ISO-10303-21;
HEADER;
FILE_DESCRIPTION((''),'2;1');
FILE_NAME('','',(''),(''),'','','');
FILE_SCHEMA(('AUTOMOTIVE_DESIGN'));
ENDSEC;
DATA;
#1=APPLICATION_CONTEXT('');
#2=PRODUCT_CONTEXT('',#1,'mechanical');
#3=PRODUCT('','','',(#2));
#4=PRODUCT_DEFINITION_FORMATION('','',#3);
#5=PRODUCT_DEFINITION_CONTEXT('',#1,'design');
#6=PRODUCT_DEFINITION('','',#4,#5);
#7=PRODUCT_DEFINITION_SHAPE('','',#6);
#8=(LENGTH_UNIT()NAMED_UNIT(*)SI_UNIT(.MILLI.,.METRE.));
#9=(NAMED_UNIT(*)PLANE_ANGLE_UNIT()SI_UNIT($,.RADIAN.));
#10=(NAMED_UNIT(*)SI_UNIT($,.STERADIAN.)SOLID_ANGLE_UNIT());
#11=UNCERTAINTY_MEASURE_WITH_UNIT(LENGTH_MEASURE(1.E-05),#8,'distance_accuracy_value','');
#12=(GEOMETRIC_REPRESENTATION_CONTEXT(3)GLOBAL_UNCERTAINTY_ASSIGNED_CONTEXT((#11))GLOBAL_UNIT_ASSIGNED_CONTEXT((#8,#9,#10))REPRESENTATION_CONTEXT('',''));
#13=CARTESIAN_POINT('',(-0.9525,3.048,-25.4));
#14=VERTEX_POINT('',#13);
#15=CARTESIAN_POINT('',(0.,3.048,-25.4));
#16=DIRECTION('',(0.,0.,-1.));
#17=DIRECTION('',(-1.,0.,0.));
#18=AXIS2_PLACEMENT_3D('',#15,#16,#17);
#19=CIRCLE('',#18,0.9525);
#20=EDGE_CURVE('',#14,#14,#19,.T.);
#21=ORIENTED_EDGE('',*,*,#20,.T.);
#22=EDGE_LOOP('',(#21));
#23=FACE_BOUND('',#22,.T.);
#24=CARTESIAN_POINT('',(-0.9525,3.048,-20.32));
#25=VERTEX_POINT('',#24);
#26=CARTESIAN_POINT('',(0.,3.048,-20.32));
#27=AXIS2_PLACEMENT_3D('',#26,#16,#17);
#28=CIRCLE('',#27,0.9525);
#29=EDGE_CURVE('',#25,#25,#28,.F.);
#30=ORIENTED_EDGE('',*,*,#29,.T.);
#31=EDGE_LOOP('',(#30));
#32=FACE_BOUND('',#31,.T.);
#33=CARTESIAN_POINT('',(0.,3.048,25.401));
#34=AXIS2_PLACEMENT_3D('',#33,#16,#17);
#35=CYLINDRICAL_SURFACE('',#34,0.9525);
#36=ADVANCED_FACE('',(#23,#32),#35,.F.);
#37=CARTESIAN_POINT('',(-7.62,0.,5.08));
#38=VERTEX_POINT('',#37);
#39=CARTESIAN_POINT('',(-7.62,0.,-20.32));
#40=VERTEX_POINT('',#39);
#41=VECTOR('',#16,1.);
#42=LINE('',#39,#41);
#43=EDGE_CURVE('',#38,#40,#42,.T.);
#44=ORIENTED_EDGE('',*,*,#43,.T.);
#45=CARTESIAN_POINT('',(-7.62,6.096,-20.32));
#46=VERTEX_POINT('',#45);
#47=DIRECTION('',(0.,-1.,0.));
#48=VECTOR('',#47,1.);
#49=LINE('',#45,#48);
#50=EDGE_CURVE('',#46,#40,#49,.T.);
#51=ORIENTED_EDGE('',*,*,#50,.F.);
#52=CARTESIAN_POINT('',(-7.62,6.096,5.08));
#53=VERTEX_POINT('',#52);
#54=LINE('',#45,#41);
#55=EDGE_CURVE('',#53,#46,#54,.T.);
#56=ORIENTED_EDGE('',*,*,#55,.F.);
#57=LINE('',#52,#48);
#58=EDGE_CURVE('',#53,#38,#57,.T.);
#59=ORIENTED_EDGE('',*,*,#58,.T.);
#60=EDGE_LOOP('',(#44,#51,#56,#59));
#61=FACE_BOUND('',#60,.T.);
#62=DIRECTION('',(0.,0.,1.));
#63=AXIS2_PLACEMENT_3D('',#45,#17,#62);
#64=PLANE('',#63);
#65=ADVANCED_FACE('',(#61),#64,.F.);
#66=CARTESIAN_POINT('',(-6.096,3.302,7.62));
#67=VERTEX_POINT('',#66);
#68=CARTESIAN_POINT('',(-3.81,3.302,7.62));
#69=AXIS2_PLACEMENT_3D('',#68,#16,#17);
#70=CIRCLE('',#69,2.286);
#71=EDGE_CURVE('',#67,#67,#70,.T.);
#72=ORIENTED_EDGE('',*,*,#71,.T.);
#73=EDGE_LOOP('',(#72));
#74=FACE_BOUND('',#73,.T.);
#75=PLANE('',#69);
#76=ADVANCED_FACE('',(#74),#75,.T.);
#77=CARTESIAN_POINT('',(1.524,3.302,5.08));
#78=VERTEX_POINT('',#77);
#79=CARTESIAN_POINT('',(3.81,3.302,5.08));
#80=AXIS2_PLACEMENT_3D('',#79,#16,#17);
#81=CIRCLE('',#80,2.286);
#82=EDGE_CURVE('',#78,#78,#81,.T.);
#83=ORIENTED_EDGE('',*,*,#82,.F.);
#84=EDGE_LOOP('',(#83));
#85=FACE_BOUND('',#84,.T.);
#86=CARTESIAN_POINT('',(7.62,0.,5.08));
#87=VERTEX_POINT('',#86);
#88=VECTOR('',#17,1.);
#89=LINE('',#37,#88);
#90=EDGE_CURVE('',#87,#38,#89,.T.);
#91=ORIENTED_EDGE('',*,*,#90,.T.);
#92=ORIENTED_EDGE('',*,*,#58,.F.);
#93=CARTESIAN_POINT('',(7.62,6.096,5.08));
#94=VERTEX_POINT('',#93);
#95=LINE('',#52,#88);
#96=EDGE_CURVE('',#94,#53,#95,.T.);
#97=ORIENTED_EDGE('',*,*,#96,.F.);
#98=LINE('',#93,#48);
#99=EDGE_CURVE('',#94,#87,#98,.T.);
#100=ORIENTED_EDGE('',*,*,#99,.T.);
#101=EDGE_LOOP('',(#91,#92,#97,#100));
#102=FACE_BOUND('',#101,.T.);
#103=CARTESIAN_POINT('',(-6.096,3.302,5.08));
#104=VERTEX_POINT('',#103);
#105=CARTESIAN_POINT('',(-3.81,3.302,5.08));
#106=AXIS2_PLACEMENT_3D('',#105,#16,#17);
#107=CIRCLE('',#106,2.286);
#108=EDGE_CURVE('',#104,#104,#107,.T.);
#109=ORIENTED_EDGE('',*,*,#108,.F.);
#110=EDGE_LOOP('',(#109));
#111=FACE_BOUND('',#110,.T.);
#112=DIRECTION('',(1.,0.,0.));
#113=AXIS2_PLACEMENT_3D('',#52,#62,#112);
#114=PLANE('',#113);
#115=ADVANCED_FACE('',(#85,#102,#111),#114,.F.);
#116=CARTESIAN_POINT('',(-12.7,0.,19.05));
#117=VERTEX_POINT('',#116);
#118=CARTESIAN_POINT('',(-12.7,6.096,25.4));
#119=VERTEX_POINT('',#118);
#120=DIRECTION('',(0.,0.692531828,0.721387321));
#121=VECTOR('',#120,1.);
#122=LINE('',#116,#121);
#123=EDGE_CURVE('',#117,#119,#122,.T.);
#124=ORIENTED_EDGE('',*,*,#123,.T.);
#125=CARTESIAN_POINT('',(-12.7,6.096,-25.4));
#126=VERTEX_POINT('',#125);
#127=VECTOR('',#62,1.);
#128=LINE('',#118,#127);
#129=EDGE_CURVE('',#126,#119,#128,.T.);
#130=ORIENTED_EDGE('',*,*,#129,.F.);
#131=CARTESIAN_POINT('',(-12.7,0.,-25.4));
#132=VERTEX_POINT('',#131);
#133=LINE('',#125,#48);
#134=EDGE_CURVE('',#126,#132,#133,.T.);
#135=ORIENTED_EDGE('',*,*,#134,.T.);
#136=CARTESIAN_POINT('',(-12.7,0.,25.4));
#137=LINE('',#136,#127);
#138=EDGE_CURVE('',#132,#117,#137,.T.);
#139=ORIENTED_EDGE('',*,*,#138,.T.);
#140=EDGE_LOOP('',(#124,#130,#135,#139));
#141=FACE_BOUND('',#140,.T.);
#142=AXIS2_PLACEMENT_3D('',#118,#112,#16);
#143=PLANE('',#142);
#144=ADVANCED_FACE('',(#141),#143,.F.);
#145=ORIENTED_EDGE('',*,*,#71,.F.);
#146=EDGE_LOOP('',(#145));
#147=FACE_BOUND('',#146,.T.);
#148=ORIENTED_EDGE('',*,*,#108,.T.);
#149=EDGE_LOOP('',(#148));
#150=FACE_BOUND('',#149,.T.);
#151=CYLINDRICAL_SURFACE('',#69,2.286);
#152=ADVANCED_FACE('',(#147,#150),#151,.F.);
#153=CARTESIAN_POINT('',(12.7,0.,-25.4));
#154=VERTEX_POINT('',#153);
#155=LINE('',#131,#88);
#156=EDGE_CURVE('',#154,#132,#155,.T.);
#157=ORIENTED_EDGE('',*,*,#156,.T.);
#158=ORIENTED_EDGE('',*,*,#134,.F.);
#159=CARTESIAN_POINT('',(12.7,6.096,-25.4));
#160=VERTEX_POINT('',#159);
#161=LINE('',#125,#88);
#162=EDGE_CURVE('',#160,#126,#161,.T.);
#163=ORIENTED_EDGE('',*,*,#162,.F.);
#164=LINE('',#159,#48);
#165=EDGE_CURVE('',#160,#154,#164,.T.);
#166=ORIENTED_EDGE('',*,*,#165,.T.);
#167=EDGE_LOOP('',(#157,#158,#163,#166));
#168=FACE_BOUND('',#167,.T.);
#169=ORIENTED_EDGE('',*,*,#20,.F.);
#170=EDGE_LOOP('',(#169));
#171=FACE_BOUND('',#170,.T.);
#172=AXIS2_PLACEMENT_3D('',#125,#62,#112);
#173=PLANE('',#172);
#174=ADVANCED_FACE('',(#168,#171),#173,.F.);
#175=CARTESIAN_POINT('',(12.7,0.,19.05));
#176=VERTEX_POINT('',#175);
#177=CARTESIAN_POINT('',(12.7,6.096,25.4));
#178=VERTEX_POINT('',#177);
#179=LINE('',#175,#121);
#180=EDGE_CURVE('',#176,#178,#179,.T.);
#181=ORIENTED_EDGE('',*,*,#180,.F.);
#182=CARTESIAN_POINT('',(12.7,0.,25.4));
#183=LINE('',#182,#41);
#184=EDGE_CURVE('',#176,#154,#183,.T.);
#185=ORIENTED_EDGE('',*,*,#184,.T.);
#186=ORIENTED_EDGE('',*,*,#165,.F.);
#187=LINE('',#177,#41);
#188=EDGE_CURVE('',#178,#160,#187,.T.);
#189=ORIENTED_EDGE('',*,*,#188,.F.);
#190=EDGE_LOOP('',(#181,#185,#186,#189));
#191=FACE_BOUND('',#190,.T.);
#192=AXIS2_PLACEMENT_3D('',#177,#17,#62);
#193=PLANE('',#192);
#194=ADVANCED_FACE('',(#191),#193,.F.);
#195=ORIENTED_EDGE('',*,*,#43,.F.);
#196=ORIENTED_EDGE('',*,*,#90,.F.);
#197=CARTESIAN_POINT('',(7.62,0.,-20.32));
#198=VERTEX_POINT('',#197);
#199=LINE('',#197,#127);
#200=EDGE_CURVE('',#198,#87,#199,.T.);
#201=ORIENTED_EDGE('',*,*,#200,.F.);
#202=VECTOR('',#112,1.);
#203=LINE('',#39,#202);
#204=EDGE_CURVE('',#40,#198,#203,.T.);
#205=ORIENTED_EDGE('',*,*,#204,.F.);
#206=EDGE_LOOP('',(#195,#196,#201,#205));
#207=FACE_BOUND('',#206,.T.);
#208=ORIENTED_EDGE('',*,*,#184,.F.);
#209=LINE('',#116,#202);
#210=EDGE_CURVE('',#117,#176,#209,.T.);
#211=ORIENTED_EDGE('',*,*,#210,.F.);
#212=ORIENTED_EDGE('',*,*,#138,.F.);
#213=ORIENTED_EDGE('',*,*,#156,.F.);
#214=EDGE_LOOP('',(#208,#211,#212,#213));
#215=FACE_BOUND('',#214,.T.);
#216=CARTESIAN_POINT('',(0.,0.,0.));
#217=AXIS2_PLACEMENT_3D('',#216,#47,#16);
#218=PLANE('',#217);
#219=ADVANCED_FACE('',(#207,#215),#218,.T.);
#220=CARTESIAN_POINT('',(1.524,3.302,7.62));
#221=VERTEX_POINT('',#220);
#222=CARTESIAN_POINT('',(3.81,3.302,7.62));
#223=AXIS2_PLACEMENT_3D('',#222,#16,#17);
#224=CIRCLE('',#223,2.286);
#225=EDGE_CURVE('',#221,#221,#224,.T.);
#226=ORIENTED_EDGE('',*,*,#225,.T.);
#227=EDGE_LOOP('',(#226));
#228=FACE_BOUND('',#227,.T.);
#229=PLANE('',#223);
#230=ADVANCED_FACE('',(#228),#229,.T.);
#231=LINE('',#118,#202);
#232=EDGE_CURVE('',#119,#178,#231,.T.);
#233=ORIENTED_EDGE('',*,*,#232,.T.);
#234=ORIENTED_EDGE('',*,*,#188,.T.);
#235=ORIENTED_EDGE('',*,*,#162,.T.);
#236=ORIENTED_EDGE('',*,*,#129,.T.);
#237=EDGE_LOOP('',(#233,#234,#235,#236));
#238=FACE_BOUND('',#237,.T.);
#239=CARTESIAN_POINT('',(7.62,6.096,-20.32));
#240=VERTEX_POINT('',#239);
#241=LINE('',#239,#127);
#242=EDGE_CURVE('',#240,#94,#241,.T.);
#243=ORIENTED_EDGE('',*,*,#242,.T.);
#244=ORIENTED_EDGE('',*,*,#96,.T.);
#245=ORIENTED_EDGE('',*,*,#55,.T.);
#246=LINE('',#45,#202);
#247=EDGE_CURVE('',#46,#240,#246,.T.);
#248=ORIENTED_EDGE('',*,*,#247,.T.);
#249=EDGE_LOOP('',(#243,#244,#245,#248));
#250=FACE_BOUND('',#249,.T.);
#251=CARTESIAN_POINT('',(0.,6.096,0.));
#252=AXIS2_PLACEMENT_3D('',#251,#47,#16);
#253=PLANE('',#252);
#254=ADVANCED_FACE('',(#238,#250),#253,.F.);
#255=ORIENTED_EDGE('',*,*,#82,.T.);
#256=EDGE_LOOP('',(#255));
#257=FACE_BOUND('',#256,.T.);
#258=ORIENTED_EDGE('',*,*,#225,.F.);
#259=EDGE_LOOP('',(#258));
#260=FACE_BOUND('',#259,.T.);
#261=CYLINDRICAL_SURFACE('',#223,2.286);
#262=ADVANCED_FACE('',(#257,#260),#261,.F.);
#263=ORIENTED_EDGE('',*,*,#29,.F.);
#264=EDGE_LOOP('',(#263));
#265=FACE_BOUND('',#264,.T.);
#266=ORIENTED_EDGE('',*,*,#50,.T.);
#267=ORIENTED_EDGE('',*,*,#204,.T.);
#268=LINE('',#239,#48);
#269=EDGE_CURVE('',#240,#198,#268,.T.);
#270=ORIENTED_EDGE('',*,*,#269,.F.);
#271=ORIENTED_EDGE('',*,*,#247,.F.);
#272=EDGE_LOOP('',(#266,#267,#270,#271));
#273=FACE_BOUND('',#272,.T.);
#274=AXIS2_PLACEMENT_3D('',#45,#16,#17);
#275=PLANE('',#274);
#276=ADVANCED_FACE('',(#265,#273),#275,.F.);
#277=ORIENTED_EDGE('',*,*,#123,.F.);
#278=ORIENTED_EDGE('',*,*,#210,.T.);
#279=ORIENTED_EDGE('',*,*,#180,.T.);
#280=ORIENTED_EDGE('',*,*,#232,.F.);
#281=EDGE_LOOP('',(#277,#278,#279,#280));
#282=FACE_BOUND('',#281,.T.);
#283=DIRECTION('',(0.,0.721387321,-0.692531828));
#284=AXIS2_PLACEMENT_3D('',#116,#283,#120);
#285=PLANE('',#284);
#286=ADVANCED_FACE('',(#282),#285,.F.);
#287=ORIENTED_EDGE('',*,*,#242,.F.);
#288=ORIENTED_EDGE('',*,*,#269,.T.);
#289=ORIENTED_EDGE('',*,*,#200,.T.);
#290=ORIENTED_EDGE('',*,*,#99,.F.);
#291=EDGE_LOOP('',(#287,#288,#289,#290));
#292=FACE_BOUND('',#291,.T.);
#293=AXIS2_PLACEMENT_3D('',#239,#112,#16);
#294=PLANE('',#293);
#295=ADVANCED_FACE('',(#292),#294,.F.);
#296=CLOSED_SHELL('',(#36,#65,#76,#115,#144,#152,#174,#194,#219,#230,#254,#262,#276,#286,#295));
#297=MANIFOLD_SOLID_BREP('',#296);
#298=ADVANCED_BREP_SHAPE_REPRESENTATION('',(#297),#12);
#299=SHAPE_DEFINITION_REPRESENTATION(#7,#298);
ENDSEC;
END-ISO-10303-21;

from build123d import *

# Parameters (mm, degrees)
SKETCH1_W           = 25.4
SKETCH1_H           = 50.8
BOSS_EXTRUDE1_DEPTH = 6.096
CUT_EXTRUDE2_DEPTH  = 26.4
SKETCH4_W           = 15.24
SKETCH4_H           = 25.4
CUT_EXTRUDE3_DEPTH  = 7.096
SKETCH5_R           = 2.286
CUT_EXTRUDE4_DEPTH  = 2.54
CUT_EXTRUDE5_REACH  = 52.8
SKETCH6_R           = 0.9525


with BuildPart() as part:
    # Sketch1 → Boss-Extrude1 (new body)
    with BuildSketch(Plane(origin=(0, 0, 0), x_dir=(1, 0, 0), z_dir=(0, 1, 0))):
        Rectangle(SKETCH1_W, SKETCH1_H)
    extrude(amount=BOSS_EXTRUDE1_DEPTH)

    # Sketch3 → Cut-Extrude2 (cut, through all)
    with BuildSketch(Plane(origin=(12.7, 0, 0), x_dir=(0, 0, -1), z_dir=(1, 0, 0))):
        Polygon((-25.4, 6.096), (-25.4, 0), (-19.05, 0), align=None)
    extrude(amount=-CUT_EXTRUDE2_DEPTH, mode=Mode.SUBTRACT)

    # Sketch4 → Cut-Extrude3 (cut, through all)
    with BuildSketch(Plane.XZ):
        with Locations((0, -7.62)):
            Rectangle(SKETCH4_W, SKETCH4_H)
    extrude(amount=-CUT_EXTRUDE3_DEPTH, mode=Mode.SUBTRACT)

    # Sketch5 → Cut-Extrude4 (cut)
    with BuildSketch(Plane(origin=(0, 0, 5.08), x_dir=(-1, 0, 0), z_dir=(0, 0, -1))):
        with Locations((-3.81, 3.302)):
            Circle(SKETCH5_R)
        with Locations((3.81, 3.302)):
            Circle(SKETCH5_R)
    extrude(amount=-CUT_EXTRUDE4_DEPTH, mode=Mode.SUBTRACT)

    # Sketch6 → Cut-Extrude5 (cut, up to next)
    with BuildSketch(Plane(origin=(0, 0, -25.4), x_dir=(-1, 0, 0), z_dir=(0, 0, -1)), mode=Mode.PRIVATE) as cut_extrude5_sk1:
        with Locations((0, 3.048)):
            Circle(SKETCH6_R)
    cut_extrude5_tool1 = extrude(cut_extrude5_sk1.sketch, amount=-CUT_EXTRUDE5_REACH, mode=Mode.PRIVATE) & part.part
    add(cut_extrude5_tool1.solids().sort_by_distance((0, 3.048, -25.4))[0], mode=Mode.SUBTRACT)


solid = part.part
